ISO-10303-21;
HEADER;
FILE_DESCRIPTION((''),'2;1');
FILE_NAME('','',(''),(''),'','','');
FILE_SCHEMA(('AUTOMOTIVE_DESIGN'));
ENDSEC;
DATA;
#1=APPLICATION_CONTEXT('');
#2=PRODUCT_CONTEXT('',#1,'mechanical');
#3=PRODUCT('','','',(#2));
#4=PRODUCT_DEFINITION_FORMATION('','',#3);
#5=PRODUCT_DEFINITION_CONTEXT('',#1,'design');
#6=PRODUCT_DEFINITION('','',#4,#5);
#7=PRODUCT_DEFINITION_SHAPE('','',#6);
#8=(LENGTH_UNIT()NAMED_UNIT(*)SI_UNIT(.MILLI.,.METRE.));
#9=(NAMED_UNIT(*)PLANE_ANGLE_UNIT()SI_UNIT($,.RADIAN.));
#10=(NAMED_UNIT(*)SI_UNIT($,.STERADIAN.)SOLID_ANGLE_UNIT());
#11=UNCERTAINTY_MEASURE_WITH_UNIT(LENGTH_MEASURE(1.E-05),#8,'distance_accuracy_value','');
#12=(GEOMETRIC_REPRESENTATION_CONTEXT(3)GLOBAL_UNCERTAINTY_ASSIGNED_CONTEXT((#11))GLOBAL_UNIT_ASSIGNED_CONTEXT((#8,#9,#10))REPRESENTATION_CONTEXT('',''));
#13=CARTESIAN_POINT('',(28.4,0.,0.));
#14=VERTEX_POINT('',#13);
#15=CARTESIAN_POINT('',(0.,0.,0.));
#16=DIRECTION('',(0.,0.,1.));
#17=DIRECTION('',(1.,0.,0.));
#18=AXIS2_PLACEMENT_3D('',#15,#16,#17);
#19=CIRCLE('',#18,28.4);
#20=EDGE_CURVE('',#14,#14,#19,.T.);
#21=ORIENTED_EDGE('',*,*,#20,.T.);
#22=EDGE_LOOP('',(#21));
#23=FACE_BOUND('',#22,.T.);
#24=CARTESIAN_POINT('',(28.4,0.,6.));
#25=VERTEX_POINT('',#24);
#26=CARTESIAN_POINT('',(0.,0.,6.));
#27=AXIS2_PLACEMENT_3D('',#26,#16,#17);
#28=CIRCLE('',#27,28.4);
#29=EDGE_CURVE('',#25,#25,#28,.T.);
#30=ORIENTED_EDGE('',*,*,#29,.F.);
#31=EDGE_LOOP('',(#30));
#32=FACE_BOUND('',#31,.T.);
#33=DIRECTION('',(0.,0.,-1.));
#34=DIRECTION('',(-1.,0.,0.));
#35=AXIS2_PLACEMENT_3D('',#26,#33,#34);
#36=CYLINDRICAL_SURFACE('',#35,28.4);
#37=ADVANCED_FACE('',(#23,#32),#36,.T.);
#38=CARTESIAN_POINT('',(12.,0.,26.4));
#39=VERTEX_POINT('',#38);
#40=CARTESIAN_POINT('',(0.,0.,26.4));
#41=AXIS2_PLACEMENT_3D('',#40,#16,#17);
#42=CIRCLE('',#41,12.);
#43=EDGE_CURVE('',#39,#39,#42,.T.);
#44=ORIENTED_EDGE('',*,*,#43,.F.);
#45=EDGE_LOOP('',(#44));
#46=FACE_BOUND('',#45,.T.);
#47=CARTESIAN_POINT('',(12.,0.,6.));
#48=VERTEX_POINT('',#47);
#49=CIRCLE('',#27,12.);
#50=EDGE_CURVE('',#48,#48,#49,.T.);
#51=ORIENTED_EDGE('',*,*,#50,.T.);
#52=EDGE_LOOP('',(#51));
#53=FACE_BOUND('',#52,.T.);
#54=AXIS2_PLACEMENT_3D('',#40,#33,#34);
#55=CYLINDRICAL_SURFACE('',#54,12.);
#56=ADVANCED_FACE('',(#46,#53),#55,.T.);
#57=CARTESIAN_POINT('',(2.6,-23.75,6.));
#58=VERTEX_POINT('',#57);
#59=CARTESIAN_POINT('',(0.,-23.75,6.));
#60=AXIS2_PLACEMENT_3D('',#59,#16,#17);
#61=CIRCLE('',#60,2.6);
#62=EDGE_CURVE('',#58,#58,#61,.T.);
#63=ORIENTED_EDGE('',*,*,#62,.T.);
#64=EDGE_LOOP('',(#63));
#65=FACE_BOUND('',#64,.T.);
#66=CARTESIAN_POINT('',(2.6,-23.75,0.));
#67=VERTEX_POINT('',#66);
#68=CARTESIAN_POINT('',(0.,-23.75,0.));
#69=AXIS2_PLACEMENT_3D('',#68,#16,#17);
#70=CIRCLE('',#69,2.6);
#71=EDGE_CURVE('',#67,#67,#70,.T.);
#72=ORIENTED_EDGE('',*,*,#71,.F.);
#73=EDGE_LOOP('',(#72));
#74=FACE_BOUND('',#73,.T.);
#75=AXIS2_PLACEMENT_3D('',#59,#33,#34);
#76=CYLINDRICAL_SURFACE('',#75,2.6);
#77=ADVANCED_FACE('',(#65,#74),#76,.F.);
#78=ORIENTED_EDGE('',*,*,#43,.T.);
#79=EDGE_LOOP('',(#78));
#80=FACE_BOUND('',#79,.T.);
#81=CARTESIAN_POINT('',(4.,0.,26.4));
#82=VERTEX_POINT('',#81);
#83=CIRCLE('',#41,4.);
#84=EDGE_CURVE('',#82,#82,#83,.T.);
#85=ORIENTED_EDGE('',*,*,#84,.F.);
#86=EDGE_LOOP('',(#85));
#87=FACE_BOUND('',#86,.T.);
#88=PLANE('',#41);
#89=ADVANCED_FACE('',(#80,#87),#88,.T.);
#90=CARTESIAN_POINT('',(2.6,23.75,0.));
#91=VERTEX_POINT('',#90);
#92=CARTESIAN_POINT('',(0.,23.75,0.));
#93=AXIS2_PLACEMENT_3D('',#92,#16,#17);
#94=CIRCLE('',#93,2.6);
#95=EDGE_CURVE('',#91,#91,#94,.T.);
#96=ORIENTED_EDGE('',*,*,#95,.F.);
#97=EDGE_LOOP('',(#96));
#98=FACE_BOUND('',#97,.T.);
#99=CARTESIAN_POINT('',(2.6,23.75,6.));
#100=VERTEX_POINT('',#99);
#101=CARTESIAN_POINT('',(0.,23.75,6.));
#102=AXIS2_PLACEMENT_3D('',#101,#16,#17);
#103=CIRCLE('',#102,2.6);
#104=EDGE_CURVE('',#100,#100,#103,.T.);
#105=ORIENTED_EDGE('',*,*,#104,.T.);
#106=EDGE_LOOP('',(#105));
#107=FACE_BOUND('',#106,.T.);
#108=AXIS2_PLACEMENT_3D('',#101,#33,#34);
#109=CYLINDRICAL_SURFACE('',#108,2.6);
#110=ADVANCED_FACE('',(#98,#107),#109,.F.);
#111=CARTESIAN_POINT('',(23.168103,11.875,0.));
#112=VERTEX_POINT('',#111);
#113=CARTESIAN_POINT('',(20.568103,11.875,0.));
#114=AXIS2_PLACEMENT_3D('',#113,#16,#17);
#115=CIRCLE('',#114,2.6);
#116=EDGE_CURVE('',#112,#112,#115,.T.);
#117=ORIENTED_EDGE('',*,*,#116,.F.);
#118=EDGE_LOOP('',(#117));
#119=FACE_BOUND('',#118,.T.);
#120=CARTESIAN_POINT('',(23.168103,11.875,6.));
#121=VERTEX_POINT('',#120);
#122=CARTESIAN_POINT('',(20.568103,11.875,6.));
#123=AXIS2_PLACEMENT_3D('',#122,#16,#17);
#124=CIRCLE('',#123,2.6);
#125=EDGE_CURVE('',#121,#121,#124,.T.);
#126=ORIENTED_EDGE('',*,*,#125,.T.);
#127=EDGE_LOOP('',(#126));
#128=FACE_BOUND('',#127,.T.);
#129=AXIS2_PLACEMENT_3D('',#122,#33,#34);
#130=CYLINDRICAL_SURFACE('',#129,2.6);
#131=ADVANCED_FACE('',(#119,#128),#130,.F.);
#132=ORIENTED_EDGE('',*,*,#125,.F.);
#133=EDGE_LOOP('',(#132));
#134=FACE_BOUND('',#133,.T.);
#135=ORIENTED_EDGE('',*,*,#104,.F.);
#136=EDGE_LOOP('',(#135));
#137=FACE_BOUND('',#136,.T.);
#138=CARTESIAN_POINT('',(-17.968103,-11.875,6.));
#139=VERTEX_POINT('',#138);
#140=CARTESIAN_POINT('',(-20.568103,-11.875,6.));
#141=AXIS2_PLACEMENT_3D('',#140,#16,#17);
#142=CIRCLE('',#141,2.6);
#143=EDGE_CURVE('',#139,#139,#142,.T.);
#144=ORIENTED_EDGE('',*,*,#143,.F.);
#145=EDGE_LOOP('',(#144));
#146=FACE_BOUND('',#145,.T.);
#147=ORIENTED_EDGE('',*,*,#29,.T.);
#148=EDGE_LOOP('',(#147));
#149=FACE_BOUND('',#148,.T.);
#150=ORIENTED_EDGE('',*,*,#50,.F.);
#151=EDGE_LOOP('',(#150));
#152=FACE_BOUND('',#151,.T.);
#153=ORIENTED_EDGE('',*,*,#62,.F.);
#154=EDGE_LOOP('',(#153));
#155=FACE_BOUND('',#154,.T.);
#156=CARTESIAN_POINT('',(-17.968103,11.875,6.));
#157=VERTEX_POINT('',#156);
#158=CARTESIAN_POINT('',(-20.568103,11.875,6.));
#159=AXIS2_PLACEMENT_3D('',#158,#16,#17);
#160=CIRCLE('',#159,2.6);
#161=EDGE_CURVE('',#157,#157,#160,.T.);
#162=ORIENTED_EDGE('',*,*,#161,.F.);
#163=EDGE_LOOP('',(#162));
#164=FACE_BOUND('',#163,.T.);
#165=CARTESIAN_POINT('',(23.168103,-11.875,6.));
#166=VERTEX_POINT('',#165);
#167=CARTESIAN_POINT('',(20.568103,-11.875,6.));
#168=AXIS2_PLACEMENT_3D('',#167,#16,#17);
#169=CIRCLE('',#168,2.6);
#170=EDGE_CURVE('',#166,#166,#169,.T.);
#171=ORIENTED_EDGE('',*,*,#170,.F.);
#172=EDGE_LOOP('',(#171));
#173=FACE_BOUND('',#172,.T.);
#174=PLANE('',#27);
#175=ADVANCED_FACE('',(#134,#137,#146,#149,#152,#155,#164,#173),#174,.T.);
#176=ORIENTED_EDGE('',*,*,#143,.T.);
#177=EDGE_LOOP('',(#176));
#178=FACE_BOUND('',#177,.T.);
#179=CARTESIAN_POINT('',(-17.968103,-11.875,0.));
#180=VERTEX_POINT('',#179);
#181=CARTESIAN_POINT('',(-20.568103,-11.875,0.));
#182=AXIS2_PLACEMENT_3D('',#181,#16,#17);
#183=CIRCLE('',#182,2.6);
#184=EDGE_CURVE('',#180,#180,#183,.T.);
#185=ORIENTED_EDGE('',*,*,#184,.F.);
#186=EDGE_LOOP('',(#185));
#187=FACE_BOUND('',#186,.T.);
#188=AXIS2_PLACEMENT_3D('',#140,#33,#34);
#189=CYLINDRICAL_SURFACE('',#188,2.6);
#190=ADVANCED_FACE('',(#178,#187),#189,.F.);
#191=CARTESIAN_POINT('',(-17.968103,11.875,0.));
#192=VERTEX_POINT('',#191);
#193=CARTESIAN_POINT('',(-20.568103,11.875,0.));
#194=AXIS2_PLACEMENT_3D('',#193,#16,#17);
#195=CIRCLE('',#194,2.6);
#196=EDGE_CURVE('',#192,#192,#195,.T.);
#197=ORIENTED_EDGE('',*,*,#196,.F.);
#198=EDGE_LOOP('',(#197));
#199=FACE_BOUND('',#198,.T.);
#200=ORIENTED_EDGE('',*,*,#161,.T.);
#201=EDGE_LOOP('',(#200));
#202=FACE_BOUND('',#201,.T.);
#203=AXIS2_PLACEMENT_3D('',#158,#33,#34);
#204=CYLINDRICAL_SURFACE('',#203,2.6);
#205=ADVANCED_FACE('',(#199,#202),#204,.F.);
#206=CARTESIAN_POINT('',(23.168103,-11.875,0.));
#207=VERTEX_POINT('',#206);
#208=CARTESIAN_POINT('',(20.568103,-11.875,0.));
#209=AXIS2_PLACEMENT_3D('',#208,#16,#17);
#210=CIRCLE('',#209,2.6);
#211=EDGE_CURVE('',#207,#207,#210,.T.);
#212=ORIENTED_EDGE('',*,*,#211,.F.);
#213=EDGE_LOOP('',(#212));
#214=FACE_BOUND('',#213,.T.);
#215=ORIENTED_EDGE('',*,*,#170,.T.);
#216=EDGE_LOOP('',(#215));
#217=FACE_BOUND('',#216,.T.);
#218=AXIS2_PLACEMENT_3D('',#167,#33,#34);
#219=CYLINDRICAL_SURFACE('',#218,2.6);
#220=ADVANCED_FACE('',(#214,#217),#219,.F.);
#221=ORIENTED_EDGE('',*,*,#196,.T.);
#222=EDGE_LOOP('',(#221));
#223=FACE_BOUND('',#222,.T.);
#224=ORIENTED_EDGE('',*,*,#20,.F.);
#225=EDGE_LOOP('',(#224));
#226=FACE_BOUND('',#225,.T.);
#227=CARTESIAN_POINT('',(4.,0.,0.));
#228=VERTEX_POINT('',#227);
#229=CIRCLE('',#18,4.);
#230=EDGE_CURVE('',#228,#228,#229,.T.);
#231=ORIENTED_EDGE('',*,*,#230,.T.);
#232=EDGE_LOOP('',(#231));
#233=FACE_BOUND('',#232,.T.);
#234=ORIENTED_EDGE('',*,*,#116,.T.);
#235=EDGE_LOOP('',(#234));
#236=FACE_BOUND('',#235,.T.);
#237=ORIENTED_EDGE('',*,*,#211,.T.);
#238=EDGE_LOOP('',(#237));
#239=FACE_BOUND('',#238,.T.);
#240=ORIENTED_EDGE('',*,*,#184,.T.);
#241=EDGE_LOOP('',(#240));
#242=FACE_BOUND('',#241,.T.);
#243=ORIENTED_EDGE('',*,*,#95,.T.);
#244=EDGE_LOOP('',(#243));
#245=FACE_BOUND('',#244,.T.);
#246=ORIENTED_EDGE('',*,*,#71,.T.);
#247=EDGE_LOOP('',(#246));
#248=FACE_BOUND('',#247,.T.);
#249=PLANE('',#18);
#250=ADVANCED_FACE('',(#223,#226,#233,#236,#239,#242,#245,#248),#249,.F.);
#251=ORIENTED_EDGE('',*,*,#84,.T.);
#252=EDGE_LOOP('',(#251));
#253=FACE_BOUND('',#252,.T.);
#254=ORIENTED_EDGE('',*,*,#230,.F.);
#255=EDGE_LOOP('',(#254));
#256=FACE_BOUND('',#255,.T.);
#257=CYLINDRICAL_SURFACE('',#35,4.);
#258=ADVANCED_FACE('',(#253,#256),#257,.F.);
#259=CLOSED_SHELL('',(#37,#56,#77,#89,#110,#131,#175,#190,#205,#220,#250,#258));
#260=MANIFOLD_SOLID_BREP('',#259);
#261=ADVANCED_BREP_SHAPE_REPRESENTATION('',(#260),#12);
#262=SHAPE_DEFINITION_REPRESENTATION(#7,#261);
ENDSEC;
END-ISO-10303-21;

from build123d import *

# Parameters (mm, degrees)
SKETCH1_R           = 28.4
SKETCH1_R_2         = 2.6
SKETCH1_R_3         = 4
BOSS_EXTRUDE1_DEPTH = 6
SKETCH2_R           = 12
SKETCH2_R_2         = 4
BOSS_EXTRUDE2_DEPTH = 20.4


with BuildPart() as part:
    # Sketch1 → Boss-Extrude1 (new body)
    with BuildSketch(Plane.XY):
        Circle(SKETCH1_R)
        with Locations((0, 23.75)):
            Circle(SKETCH1_R_2, mode=Mode.SUBTRACT)
        with Locations((20.56810334, 11.875)):
            Circle(SKETCH1_R_2, mode=Mode.SUBTRACT)
        with Locations((20.56810334, -11.875)):
            Circle(SKETCH1_R_2, mode=Mode.SUBTRACT)
        with Locations((0, -23.75)):
            Circle(SKETCH1_R_2, mode=Mode.SUBTRACT)
        with Locations((-20.56810334, -11.875)):
            Circle(SKETCH1_R_2, mode=Mode.SUBTRACT)
        with Locations((-20.56810334, 11.875)):
            Circle(SKETCH1_R_2, mode=Mode.SUBTRACT)
        Circle(SKETCH1_R_3, mode=Mode.SUBTRACT)
    extrude(amount=BOSS_EXTRUDE1_DEPTH)

    # Sketch2 → Boss-Extrude2 (add)
    with BuildSketch(Plane.XY.offset(6)):
        Circle(SKETCH2_R)
        Circle(SKETCH2_R_2, mode=Mode.SUBTRACT)
    extrude(amount=BOSS_EXTRUDE2_DEPTH)


solid = part.part
